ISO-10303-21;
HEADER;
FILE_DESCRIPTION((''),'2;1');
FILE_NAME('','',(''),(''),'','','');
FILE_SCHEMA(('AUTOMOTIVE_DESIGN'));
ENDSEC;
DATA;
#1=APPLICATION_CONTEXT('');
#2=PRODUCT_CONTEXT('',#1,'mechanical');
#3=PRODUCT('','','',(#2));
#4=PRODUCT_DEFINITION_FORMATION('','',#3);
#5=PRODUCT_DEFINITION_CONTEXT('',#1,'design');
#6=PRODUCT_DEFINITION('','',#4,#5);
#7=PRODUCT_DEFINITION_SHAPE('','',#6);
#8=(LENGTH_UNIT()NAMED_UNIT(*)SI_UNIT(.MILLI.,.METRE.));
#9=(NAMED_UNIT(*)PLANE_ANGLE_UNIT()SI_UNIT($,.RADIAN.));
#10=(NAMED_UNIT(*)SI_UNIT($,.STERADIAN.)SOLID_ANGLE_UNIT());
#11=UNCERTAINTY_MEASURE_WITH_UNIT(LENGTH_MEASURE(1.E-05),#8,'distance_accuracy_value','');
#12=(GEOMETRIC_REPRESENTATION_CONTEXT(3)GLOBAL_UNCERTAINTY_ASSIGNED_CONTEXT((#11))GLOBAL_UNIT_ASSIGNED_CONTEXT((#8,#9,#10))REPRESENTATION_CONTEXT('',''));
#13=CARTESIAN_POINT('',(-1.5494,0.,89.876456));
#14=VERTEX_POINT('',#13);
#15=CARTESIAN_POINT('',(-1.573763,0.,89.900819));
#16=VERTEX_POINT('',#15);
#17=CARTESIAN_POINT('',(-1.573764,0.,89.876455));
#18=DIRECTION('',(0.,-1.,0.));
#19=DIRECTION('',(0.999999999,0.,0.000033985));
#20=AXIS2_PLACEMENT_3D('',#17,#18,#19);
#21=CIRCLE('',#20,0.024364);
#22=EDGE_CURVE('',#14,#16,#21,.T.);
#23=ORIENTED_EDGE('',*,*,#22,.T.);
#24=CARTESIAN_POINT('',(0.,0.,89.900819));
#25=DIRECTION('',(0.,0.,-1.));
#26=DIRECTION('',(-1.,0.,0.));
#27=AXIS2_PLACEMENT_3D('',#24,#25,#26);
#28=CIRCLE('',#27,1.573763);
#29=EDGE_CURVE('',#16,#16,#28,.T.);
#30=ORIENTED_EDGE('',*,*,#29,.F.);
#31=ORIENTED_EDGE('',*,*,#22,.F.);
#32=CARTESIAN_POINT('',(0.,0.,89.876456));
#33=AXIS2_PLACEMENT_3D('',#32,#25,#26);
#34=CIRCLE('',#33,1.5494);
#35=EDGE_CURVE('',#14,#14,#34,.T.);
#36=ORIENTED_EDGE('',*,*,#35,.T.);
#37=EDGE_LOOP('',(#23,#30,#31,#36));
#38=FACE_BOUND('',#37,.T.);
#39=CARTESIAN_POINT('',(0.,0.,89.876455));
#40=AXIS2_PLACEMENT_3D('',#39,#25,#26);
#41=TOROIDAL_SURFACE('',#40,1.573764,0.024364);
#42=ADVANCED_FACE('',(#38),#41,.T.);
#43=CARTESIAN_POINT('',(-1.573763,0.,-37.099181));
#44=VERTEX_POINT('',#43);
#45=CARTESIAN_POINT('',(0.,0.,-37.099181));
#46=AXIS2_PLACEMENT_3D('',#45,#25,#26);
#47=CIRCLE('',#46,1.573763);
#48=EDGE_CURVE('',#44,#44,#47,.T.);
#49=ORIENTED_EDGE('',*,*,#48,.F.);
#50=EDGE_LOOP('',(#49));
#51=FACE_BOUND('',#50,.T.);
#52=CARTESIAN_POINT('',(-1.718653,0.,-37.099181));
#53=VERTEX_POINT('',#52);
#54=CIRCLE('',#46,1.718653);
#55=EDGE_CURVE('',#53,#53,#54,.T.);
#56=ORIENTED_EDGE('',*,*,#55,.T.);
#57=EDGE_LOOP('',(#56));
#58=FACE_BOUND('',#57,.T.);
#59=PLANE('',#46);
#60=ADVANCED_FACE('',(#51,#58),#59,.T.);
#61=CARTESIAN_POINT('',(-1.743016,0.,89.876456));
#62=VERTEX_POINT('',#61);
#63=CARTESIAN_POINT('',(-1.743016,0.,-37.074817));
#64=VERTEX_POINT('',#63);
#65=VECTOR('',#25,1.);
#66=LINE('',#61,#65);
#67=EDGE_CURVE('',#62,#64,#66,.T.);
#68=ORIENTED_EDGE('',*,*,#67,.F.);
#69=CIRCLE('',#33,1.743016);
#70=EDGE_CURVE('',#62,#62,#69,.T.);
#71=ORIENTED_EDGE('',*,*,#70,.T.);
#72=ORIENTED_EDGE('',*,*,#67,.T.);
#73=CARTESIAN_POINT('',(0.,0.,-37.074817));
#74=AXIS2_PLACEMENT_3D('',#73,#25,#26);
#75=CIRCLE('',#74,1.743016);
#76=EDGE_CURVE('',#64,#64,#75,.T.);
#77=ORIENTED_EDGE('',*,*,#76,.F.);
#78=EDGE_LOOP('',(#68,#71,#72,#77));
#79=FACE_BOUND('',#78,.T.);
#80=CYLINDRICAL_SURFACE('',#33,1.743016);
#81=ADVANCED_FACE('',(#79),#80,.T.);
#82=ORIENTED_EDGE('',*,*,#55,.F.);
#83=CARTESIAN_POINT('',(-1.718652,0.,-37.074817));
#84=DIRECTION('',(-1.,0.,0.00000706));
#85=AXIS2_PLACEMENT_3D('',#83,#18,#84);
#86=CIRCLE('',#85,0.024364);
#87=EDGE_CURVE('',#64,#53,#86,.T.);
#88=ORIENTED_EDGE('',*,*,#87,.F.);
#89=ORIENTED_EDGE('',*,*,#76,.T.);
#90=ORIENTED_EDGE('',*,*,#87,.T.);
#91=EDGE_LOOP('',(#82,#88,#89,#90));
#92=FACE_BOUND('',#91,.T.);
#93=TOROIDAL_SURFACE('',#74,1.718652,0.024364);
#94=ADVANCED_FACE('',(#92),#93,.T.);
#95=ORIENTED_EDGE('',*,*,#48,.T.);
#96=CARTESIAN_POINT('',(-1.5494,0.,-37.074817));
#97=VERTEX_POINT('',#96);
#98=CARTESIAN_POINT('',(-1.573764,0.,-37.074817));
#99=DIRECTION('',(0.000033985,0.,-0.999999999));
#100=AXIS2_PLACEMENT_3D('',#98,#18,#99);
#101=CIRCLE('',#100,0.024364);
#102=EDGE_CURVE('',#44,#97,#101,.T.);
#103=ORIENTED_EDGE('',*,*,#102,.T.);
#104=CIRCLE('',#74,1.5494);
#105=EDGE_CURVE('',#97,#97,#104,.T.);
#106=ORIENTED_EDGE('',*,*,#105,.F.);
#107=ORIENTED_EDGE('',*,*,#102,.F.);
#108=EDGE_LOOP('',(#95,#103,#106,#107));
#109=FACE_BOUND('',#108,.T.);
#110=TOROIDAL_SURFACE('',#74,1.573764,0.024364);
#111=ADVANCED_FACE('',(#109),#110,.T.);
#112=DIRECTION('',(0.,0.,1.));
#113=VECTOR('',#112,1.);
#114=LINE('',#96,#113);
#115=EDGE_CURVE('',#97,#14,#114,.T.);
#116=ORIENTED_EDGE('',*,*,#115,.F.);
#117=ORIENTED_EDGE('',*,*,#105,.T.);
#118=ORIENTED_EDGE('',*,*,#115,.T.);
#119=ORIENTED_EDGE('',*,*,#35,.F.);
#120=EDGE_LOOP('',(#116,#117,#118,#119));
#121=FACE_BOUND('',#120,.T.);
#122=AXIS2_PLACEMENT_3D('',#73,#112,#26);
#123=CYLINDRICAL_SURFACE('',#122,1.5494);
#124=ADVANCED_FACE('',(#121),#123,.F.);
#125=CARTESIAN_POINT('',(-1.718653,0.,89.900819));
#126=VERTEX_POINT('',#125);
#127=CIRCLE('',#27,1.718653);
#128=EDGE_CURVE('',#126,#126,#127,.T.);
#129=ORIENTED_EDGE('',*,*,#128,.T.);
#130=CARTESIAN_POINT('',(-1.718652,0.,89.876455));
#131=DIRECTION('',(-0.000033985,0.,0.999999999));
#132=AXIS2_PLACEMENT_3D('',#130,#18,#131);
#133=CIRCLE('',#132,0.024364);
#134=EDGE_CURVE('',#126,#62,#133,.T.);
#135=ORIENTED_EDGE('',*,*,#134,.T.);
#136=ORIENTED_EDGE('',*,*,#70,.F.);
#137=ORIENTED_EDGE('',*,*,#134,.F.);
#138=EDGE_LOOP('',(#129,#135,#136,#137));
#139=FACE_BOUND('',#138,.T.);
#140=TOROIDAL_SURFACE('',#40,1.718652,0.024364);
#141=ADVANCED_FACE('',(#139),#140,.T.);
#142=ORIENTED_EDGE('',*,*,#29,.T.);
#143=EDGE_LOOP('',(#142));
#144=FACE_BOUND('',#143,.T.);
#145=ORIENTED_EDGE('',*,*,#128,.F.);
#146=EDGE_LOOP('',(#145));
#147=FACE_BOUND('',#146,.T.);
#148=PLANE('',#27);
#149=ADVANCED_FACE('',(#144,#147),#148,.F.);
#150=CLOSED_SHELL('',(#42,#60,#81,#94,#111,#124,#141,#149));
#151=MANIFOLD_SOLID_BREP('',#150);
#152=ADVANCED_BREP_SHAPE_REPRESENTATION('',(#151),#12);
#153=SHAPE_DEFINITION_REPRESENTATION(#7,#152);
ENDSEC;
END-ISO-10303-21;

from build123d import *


with BuildPart() as f1:
    # F0 (on Front) → F1 (revolve)
    with BuildSketch(Plane.XZ):
        with BuildLine():
            Line((-1.5494, -37.074817), (-1.5494, 89.876456))
            ThreePointArc((-1.5494, 89.876456), (-1.556536, 89.893683), (-1.573763, 89.900819))
            Line((-1.573763, 89.900819), (-1.718653, 89.900819))
            ThreePointArc((-1.718653, 89.900819), (-1.73588, 89.893683), (-1.743016, 89.876456))
            Line((-1.743016, 89.876456), (-1.743016, -37.074817))
            ThreePointArc((-1.743016, -37.074817), (-1.73588, -37.092045), (-1.718653, -37.099181))
            Line((-1.718653, -37.099181), (-1.573763, -37.099181))
            ThreePointArc((-1.573763, -37.099181), (-1.556536, -37.092045), (-1.5494, -37.074817))
        make_face()
    revolve(axis=Axis((0, 0, 26.400819), (0, 0, -1)))


solid = f1.part
